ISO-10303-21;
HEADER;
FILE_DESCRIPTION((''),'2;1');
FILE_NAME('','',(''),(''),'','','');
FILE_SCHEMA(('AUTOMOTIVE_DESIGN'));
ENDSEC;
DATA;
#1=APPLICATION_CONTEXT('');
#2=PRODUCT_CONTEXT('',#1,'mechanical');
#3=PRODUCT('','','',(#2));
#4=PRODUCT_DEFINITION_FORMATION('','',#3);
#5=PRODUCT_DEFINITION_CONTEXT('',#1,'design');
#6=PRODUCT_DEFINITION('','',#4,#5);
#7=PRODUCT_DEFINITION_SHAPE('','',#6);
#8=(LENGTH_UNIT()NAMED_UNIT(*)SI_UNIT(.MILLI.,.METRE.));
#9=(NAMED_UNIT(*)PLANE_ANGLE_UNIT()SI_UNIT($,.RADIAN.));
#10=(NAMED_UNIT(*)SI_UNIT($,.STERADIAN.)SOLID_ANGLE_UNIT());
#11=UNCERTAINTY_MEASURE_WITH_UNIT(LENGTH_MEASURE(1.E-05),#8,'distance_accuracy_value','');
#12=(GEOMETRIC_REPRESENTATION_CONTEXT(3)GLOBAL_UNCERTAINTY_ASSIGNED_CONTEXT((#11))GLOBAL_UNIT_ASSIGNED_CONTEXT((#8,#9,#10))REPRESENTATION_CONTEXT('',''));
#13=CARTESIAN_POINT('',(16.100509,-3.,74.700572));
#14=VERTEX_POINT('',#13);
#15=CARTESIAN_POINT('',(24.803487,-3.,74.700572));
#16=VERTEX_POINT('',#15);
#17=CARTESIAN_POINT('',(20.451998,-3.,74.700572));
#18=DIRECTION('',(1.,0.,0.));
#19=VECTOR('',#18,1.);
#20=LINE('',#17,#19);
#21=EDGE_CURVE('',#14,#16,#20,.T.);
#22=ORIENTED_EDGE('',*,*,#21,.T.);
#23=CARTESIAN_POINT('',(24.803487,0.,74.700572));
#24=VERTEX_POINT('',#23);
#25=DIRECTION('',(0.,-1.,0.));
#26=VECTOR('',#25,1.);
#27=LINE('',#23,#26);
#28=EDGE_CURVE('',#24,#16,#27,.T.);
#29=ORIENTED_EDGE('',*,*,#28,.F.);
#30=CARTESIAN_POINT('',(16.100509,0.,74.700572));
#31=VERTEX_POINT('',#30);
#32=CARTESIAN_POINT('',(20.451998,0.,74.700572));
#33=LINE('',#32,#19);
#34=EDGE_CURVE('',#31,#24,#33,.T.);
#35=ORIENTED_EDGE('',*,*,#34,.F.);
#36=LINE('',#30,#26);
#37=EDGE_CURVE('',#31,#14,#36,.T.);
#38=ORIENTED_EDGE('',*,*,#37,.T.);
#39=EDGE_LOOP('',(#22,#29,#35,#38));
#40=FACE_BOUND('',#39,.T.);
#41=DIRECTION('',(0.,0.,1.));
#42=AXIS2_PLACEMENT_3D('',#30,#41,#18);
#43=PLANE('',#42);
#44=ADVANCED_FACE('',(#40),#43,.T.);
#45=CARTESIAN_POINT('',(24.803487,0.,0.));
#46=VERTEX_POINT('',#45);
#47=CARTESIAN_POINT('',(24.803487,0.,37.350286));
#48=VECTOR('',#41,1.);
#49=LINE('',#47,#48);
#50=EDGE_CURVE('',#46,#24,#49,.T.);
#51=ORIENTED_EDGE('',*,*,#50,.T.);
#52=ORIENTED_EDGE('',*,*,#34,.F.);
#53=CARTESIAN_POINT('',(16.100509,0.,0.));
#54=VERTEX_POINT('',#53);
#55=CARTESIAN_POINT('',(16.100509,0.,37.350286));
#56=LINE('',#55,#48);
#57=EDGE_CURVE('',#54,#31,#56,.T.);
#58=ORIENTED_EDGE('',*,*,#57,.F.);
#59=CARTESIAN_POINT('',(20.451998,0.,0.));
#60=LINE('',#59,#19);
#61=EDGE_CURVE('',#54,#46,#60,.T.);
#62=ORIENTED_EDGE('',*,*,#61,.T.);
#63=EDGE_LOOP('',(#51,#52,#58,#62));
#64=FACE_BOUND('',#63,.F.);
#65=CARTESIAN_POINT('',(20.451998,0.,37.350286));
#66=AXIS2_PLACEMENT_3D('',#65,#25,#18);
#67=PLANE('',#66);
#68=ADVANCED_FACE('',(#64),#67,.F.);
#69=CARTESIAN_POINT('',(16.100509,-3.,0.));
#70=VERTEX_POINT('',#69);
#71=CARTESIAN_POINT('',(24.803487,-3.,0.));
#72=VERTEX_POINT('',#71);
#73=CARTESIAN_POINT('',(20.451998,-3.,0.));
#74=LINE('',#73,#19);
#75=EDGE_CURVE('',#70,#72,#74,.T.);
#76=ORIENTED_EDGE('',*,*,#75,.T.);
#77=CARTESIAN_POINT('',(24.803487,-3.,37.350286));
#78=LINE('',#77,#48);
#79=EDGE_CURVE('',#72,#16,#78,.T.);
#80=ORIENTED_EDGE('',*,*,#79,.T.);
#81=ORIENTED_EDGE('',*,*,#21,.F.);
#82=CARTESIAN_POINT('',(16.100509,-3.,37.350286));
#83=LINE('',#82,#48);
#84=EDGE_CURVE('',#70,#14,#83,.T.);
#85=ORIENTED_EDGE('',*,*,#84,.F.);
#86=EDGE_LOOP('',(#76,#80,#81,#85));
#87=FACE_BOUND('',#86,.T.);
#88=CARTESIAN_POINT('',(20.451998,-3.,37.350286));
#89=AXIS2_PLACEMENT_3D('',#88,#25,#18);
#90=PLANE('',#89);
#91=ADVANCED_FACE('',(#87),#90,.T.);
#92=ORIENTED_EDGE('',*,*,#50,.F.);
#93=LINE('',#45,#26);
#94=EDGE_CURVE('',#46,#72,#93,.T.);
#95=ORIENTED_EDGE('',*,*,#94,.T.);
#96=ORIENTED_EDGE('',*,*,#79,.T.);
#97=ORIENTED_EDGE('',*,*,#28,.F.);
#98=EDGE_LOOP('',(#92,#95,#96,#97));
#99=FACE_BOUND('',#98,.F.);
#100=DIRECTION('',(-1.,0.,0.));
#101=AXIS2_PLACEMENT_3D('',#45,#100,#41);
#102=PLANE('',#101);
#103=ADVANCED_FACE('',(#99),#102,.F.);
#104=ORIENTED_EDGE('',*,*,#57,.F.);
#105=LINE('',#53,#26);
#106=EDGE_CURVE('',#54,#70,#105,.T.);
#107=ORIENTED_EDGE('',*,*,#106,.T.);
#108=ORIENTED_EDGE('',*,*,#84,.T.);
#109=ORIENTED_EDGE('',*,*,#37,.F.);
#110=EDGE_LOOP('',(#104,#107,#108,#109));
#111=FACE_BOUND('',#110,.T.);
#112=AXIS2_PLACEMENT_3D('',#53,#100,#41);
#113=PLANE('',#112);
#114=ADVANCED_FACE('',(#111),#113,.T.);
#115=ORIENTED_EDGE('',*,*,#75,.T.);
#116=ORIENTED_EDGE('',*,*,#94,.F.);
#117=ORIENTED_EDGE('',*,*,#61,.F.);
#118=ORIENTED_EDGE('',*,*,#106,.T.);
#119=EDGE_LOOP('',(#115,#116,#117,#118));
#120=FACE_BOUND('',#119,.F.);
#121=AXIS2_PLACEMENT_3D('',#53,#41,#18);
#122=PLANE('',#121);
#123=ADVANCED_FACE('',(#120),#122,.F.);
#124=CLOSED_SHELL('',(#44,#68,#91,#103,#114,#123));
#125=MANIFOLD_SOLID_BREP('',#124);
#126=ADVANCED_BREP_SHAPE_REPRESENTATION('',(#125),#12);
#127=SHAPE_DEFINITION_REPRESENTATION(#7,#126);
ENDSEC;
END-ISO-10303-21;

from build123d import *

# Parameters (mm, degrees)
F0_W     = 8.702979
F0_H     = 74.700572
F1_DEPTH = 3
F2_DEPTH = 3


with BuildPart() as f1:
    # F0 (on Front) → F1 (new body)
    with BuildSketch(Plane.XZ):
        with Locations((20.451998, 37.350286)):
            Rectangle(F0_W, F0_H)
    extrude(amount=F1_DEPTH)

    # F0 (on Front) → F2 (join)
    with BuildSketch(Plane.XZ):
        with Locations((20.451998, 37.350286)):
            Rectangle(F0_W, F0_H)
    extrude(amount=F2_DEPTH)


solid = f1.part
